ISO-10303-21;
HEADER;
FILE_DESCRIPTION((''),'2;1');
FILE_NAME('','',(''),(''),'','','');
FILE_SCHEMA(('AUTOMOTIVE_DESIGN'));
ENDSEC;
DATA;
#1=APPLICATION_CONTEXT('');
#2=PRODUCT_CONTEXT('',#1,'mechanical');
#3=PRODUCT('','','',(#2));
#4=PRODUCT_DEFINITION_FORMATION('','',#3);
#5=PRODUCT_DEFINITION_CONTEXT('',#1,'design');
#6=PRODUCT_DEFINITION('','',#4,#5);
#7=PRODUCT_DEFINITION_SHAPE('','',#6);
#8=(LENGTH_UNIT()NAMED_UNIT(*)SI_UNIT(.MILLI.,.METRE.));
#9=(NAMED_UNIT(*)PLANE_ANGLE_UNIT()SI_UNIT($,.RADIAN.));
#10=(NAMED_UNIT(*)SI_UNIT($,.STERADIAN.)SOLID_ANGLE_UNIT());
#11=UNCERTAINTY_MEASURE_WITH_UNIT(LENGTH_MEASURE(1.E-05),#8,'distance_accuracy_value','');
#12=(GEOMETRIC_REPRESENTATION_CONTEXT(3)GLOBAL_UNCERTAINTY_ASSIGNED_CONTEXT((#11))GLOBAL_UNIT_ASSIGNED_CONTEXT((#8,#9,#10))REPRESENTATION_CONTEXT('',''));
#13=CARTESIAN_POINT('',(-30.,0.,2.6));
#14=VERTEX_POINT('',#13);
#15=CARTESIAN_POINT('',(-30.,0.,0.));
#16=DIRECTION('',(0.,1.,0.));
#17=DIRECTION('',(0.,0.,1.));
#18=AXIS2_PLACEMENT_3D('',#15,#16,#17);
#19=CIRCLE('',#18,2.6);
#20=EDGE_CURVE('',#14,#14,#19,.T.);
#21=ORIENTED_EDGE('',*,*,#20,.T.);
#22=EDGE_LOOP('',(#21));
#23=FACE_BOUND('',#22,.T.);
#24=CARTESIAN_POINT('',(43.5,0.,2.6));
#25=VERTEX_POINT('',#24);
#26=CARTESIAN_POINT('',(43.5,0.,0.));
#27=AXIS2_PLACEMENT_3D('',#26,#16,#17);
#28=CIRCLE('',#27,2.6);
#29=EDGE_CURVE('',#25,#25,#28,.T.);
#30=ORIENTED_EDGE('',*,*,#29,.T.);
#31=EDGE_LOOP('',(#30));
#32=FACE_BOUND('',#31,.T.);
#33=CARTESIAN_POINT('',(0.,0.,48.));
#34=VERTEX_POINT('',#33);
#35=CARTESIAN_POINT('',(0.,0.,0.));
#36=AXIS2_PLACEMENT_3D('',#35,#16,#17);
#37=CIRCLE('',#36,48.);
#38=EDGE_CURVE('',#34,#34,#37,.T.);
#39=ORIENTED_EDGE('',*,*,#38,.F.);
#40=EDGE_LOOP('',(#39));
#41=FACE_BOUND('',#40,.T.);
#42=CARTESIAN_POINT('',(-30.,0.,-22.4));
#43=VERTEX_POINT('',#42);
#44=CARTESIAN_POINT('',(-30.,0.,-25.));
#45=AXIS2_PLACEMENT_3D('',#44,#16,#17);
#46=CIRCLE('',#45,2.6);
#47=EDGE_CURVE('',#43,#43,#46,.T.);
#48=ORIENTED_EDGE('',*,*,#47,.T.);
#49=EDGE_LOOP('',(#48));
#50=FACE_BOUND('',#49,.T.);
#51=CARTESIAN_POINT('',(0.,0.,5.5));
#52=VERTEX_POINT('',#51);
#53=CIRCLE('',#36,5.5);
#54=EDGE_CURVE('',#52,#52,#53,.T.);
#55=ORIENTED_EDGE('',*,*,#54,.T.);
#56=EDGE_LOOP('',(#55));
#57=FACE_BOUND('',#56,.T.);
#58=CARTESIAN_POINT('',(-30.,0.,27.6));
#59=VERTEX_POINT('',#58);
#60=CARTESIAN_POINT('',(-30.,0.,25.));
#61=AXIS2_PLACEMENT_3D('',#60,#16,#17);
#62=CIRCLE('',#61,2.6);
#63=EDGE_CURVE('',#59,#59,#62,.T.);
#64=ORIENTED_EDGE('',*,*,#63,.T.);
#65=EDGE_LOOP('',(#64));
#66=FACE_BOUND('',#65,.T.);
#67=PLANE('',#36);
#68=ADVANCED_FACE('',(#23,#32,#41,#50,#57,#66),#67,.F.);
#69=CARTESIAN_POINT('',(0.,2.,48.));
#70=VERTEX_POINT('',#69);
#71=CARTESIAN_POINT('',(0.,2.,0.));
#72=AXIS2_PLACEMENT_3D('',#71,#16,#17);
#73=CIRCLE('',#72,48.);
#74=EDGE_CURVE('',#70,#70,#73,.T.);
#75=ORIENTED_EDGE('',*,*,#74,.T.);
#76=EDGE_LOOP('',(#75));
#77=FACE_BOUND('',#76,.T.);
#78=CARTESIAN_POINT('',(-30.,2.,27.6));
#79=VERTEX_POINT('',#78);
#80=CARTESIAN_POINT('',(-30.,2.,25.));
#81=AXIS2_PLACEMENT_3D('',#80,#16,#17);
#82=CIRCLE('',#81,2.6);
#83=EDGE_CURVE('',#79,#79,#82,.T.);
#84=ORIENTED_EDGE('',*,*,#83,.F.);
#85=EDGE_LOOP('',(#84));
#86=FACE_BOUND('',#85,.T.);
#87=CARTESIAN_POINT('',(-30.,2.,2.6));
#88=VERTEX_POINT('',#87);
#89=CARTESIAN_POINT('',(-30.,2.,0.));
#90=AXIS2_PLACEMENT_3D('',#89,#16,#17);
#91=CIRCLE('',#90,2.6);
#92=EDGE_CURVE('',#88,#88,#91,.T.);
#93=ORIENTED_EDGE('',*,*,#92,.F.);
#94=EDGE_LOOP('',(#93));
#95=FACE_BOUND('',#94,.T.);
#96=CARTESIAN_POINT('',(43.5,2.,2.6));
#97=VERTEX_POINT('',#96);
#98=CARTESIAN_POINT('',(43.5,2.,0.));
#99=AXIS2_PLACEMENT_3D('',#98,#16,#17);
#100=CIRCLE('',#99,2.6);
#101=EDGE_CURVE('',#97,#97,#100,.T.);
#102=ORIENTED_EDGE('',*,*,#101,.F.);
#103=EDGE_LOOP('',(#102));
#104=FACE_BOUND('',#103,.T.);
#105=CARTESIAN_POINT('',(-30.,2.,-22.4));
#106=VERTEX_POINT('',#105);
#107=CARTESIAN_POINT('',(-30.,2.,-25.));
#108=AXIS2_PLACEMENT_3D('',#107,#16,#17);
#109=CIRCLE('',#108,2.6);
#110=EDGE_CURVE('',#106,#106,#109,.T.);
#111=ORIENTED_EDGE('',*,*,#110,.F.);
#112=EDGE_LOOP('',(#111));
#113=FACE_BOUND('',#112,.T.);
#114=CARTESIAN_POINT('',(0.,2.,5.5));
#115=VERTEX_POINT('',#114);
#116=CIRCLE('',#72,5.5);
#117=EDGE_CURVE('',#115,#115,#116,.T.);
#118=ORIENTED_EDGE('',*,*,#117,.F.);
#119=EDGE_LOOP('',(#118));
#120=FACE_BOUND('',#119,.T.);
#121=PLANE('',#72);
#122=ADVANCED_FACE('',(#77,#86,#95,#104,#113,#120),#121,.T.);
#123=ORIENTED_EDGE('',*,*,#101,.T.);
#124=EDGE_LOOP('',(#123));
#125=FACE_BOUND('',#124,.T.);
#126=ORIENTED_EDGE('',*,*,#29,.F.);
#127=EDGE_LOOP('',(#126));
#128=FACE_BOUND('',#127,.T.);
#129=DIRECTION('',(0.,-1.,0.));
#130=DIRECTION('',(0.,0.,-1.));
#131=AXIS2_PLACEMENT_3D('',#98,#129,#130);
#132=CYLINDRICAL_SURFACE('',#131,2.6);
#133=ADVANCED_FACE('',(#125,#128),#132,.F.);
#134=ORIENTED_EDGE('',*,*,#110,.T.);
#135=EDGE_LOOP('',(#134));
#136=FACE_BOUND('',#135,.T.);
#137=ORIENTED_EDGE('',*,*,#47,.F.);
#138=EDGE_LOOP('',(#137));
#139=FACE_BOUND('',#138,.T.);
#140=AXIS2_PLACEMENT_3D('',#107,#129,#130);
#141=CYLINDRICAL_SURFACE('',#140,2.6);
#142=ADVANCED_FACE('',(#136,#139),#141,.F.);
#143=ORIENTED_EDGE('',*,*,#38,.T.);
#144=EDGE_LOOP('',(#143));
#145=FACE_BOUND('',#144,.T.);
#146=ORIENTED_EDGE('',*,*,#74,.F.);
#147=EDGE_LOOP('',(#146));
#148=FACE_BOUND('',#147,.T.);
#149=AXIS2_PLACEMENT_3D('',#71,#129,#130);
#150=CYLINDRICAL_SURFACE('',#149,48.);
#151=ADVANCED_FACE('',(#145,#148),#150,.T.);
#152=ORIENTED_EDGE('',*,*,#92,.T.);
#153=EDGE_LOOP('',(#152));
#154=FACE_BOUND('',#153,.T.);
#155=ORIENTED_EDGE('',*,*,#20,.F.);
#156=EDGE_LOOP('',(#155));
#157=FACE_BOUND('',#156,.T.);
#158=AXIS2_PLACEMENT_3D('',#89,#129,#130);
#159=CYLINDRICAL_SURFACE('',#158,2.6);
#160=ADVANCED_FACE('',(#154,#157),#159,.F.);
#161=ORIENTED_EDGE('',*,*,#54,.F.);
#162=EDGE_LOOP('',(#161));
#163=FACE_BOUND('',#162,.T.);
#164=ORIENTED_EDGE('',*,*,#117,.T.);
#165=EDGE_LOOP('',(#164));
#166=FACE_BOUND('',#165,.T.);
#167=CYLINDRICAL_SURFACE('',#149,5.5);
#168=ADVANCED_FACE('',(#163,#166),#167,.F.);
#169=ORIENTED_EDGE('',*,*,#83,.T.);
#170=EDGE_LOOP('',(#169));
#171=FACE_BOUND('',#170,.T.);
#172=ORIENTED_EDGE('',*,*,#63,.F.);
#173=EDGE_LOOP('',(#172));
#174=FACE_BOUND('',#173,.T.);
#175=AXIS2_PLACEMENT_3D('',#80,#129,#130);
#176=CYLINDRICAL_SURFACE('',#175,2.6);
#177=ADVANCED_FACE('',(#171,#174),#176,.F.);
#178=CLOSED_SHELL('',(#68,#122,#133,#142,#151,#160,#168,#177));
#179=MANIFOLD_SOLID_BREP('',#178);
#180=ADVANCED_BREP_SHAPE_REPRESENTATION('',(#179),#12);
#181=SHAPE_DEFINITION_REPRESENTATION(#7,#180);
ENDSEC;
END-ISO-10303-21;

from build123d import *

# Parameters (mm, degrees)
SKETCH1_R           = 48
SKETCH1_R_2         = 2.6
SKETCH1_R_3         = 5.5
BOSS_EXTRUDE1_DEPTH = 2


with BuildPart() as part:
    # Sketch1 → Boss-Extrude1 (new body)
    with BuildSketch(Plane(origin=(0, 0, 0), x_dir=(1, 0, 0), z_dir=(0, 1, 0))):
        with Locations(Location((0, 0, 0), (0, 0, 270))):
            Circle(SKETCH1_R)
        with Locations(Location((-30, 0, 0), (0, 0, 270))):
            Circle(SKETCH1_R_2, mode=Mode.SUBTRACT)
        with Locations(Location((0, 0, 0), (0, 0, 270))):
            Circle(SKETCH1_R_3, mode=Mode.SUBTRACT)
        with Locations(Location((-30, 25, 0), (0, 0, 270))):
            Circle(SKETCH1_R_2, mode=Mode.SUBTRACT)
        with Locations(Location((-30, -25, 0), (0, 0, 270))):
            Circle(SKETCH1_R_2, mode=Mode.SUBTRACT)
        with Locations(Location((43.5, 0, 0), (0, 0, 270))):
            Circle(SKETCH1_R_2, mode=Mode.SUBTRACT)
    extrude(amount=BOSS_EXTRUDE1_DEPTH)


solid = part.part
